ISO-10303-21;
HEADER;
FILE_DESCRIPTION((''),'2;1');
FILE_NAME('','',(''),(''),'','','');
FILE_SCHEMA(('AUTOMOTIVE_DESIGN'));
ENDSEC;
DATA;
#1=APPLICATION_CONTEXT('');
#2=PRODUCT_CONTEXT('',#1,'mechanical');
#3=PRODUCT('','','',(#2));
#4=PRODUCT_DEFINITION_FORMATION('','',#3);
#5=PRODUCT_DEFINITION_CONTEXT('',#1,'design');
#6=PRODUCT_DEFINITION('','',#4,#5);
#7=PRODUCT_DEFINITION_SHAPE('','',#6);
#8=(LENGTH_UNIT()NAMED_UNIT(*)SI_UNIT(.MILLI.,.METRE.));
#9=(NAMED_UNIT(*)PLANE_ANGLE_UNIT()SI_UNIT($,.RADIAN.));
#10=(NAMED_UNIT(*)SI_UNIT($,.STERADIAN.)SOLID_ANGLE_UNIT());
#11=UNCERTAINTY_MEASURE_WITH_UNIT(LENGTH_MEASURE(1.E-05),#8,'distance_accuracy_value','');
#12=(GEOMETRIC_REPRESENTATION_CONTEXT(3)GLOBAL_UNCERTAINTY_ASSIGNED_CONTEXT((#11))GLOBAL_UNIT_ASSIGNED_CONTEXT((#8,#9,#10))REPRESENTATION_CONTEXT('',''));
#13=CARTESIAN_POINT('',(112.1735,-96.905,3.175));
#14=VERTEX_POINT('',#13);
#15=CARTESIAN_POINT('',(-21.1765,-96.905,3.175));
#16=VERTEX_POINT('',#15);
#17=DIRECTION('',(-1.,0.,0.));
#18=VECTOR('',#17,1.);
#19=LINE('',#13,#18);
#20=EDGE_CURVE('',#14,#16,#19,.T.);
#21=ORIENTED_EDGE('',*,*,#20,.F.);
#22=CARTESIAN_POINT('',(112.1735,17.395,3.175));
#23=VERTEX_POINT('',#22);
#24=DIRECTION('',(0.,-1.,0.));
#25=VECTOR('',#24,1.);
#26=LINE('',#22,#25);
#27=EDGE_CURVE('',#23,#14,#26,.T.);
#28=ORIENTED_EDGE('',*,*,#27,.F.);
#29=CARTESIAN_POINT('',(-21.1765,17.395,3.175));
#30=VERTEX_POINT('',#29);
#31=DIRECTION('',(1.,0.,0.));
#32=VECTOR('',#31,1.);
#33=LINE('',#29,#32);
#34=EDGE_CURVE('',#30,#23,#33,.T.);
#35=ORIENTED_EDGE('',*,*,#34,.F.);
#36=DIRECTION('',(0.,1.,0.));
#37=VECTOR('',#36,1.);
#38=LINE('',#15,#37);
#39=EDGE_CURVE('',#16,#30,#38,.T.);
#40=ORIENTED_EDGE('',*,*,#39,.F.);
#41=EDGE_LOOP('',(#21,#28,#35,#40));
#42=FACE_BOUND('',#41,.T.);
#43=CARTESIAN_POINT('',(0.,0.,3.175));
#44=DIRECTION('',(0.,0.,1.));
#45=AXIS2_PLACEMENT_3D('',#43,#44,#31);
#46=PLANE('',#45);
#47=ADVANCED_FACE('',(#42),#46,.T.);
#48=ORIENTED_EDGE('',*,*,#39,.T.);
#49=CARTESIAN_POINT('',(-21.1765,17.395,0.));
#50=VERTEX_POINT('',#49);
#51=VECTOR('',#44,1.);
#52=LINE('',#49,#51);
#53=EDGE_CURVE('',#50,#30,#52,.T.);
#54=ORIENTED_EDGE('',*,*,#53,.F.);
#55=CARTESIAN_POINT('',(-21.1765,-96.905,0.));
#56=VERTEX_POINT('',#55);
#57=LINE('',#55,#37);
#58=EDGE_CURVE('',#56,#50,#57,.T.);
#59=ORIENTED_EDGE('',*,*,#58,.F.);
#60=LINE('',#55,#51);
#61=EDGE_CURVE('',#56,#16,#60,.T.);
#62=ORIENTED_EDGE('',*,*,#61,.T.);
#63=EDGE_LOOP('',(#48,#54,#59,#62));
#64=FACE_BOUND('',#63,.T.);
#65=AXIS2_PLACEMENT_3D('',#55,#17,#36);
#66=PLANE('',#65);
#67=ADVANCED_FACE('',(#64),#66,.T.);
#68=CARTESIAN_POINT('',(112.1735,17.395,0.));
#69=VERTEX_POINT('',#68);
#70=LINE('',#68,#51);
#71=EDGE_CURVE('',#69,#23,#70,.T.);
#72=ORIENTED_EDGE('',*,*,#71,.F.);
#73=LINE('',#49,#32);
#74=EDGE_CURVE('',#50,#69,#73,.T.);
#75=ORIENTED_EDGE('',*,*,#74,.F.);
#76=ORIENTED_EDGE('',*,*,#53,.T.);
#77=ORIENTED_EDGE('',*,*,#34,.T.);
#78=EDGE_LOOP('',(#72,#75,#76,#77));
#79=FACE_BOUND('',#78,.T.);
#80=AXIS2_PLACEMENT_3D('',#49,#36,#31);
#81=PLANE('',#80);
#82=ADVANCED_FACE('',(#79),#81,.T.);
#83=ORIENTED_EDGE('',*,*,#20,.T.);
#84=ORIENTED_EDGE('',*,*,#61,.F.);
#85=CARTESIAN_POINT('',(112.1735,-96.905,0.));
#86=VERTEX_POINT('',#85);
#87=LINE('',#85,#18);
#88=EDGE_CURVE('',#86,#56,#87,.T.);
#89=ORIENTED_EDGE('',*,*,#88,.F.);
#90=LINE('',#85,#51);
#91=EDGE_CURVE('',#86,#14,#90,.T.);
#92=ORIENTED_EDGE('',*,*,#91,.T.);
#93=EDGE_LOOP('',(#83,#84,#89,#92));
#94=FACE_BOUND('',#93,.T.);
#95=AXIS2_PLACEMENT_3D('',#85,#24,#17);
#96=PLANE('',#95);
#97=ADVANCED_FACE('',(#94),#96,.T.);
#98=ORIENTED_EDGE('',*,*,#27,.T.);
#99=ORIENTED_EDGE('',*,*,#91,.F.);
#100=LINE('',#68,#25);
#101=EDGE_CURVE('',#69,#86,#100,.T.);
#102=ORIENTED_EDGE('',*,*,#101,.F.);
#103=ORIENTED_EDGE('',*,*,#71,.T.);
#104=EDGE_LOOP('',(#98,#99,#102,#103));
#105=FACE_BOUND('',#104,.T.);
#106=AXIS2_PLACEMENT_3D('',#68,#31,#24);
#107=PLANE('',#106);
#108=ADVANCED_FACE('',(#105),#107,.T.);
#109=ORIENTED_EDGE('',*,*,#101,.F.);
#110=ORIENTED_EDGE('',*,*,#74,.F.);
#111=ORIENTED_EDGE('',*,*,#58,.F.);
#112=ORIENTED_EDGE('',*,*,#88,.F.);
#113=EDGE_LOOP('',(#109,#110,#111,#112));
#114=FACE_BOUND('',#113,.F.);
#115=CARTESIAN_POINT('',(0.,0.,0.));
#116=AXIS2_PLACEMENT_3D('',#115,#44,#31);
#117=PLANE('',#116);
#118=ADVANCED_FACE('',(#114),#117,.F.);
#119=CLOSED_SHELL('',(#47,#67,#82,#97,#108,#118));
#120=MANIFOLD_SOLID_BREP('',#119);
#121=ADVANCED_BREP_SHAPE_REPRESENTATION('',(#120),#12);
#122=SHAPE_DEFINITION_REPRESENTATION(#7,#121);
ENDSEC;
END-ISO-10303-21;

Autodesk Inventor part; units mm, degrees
ref_plane "YZ Plane" through (0, 0, 0) normal (1, 0, 0) x (0, 1, 0)
ref_plane "XZ Plane" through (0, 0, 0) normal (0, 1, 0) x (-1, 0, 0)
ref_plane "XY Plane" through (0, 0, 0) normal (0, 0, 1) x (1, 0, 0)
sketch "Sketch1" plane through (0, 0, 0) normal (0, 0, 1) x (1, 0, 0)
  line L0 (-21.1765, 17.395) -> (112.1735, 17.395)
  line L1 (112.1735, 17.395) -> (112.1735, -96.905)
  line L2 (112.1735, -96.905) -> (-21.1765, -96.905)
  line L3 (-21.1765, -96.905) -> (-21.1765, 17.395)
  point P0 (0, 0)
  dimension "d0" = 133.35
  dimension "d1" = 114.3
extrude "Extrusion1" add sketch "Sketch1" along normal blind 3.175
properties part number "end panel"
